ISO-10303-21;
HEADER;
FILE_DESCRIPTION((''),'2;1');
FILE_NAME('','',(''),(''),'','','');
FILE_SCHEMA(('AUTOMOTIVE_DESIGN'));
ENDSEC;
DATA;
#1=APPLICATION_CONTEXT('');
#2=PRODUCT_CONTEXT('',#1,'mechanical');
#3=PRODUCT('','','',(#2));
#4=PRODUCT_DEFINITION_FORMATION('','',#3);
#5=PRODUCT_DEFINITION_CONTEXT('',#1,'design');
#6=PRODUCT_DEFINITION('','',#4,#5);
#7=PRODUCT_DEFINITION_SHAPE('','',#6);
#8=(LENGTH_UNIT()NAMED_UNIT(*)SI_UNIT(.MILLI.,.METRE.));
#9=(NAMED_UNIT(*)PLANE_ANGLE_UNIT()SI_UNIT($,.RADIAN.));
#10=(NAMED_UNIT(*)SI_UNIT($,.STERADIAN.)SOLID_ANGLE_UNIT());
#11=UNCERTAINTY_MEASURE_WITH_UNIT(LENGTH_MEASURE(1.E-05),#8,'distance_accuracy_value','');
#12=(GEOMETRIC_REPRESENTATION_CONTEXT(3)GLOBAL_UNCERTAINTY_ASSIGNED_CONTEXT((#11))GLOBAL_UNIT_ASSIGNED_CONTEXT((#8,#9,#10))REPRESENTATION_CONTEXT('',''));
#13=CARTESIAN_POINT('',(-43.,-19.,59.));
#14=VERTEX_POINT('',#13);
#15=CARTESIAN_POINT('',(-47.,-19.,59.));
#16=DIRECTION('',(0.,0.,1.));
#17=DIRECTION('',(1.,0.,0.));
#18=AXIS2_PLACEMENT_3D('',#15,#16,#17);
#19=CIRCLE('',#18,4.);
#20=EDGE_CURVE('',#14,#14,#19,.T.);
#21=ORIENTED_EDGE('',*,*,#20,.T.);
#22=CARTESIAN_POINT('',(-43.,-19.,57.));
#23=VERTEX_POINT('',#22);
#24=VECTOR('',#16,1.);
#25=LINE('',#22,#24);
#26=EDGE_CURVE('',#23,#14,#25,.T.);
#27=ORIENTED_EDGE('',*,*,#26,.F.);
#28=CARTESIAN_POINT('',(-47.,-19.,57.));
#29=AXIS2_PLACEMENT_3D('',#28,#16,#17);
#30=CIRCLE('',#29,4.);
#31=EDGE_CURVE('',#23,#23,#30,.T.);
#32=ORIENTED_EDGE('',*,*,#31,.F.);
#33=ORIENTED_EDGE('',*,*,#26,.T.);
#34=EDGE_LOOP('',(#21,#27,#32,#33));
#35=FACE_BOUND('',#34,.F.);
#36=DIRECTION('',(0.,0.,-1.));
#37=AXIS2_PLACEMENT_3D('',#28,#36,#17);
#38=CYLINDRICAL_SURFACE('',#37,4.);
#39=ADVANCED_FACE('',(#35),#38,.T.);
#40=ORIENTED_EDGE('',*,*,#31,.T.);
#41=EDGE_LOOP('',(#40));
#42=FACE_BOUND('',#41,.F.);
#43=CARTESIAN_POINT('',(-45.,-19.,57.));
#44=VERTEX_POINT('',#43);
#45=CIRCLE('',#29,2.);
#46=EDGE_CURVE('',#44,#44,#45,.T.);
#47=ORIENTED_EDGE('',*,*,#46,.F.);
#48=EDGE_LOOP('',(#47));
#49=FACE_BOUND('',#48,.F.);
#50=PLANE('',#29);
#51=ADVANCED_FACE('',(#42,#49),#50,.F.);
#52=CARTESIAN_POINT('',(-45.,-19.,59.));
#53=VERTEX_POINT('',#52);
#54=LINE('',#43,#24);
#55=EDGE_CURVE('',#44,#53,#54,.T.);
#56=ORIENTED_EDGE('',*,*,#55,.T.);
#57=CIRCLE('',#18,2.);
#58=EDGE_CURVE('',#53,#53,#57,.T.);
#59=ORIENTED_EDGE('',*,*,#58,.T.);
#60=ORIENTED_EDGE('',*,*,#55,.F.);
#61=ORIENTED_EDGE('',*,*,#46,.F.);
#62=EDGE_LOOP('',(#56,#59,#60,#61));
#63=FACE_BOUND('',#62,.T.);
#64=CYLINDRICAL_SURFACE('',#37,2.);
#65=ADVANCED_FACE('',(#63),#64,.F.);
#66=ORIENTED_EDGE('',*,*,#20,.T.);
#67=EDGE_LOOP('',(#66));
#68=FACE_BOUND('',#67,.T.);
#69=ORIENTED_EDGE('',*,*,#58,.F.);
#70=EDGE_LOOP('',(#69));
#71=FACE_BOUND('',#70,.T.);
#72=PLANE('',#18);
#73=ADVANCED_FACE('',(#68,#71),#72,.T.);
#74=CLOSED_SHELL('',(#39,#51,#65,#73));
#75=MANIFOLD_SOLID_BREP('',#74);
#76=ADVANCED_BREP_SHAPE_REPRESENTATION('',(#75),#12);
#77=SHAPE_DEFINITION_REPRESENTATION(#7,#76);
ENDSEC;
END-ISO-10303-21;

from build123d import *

# Parameters (mm, degrees)
CYLINDER353_R     = 2
CYLINDER353_DEPTH = 2
CYLINDER354_R     = 4
CYLINDER354_DEPTH = 2


with BuildPart() as cylinder353:
    # Cylinder353 → Cylinder353 (new body)
    with BuildSketch(Plane.XY):
        Circle(CYLINDER353_R)
    extrude(amount=CYLINDER353_DEPTH)


with BuildPart() as spacer3:
    # Cylinder354 → Cylinder354 (new body)
    with BuildSketch(Plane.XY):
        Circle(CYLINDER354_R)
    extrude(amount=CYLINDER354_DEPTH)

    # Cut371: cut Cylinder353
    add(cylinder353.part, mode=Mode.SUBTRACT)


with BuildPart() as spacer3_1:
    # Cut371 placement: moved
    add(spacer3.part.moved(Location((-47, -19, 57))))


solid = spacer3_1.part
